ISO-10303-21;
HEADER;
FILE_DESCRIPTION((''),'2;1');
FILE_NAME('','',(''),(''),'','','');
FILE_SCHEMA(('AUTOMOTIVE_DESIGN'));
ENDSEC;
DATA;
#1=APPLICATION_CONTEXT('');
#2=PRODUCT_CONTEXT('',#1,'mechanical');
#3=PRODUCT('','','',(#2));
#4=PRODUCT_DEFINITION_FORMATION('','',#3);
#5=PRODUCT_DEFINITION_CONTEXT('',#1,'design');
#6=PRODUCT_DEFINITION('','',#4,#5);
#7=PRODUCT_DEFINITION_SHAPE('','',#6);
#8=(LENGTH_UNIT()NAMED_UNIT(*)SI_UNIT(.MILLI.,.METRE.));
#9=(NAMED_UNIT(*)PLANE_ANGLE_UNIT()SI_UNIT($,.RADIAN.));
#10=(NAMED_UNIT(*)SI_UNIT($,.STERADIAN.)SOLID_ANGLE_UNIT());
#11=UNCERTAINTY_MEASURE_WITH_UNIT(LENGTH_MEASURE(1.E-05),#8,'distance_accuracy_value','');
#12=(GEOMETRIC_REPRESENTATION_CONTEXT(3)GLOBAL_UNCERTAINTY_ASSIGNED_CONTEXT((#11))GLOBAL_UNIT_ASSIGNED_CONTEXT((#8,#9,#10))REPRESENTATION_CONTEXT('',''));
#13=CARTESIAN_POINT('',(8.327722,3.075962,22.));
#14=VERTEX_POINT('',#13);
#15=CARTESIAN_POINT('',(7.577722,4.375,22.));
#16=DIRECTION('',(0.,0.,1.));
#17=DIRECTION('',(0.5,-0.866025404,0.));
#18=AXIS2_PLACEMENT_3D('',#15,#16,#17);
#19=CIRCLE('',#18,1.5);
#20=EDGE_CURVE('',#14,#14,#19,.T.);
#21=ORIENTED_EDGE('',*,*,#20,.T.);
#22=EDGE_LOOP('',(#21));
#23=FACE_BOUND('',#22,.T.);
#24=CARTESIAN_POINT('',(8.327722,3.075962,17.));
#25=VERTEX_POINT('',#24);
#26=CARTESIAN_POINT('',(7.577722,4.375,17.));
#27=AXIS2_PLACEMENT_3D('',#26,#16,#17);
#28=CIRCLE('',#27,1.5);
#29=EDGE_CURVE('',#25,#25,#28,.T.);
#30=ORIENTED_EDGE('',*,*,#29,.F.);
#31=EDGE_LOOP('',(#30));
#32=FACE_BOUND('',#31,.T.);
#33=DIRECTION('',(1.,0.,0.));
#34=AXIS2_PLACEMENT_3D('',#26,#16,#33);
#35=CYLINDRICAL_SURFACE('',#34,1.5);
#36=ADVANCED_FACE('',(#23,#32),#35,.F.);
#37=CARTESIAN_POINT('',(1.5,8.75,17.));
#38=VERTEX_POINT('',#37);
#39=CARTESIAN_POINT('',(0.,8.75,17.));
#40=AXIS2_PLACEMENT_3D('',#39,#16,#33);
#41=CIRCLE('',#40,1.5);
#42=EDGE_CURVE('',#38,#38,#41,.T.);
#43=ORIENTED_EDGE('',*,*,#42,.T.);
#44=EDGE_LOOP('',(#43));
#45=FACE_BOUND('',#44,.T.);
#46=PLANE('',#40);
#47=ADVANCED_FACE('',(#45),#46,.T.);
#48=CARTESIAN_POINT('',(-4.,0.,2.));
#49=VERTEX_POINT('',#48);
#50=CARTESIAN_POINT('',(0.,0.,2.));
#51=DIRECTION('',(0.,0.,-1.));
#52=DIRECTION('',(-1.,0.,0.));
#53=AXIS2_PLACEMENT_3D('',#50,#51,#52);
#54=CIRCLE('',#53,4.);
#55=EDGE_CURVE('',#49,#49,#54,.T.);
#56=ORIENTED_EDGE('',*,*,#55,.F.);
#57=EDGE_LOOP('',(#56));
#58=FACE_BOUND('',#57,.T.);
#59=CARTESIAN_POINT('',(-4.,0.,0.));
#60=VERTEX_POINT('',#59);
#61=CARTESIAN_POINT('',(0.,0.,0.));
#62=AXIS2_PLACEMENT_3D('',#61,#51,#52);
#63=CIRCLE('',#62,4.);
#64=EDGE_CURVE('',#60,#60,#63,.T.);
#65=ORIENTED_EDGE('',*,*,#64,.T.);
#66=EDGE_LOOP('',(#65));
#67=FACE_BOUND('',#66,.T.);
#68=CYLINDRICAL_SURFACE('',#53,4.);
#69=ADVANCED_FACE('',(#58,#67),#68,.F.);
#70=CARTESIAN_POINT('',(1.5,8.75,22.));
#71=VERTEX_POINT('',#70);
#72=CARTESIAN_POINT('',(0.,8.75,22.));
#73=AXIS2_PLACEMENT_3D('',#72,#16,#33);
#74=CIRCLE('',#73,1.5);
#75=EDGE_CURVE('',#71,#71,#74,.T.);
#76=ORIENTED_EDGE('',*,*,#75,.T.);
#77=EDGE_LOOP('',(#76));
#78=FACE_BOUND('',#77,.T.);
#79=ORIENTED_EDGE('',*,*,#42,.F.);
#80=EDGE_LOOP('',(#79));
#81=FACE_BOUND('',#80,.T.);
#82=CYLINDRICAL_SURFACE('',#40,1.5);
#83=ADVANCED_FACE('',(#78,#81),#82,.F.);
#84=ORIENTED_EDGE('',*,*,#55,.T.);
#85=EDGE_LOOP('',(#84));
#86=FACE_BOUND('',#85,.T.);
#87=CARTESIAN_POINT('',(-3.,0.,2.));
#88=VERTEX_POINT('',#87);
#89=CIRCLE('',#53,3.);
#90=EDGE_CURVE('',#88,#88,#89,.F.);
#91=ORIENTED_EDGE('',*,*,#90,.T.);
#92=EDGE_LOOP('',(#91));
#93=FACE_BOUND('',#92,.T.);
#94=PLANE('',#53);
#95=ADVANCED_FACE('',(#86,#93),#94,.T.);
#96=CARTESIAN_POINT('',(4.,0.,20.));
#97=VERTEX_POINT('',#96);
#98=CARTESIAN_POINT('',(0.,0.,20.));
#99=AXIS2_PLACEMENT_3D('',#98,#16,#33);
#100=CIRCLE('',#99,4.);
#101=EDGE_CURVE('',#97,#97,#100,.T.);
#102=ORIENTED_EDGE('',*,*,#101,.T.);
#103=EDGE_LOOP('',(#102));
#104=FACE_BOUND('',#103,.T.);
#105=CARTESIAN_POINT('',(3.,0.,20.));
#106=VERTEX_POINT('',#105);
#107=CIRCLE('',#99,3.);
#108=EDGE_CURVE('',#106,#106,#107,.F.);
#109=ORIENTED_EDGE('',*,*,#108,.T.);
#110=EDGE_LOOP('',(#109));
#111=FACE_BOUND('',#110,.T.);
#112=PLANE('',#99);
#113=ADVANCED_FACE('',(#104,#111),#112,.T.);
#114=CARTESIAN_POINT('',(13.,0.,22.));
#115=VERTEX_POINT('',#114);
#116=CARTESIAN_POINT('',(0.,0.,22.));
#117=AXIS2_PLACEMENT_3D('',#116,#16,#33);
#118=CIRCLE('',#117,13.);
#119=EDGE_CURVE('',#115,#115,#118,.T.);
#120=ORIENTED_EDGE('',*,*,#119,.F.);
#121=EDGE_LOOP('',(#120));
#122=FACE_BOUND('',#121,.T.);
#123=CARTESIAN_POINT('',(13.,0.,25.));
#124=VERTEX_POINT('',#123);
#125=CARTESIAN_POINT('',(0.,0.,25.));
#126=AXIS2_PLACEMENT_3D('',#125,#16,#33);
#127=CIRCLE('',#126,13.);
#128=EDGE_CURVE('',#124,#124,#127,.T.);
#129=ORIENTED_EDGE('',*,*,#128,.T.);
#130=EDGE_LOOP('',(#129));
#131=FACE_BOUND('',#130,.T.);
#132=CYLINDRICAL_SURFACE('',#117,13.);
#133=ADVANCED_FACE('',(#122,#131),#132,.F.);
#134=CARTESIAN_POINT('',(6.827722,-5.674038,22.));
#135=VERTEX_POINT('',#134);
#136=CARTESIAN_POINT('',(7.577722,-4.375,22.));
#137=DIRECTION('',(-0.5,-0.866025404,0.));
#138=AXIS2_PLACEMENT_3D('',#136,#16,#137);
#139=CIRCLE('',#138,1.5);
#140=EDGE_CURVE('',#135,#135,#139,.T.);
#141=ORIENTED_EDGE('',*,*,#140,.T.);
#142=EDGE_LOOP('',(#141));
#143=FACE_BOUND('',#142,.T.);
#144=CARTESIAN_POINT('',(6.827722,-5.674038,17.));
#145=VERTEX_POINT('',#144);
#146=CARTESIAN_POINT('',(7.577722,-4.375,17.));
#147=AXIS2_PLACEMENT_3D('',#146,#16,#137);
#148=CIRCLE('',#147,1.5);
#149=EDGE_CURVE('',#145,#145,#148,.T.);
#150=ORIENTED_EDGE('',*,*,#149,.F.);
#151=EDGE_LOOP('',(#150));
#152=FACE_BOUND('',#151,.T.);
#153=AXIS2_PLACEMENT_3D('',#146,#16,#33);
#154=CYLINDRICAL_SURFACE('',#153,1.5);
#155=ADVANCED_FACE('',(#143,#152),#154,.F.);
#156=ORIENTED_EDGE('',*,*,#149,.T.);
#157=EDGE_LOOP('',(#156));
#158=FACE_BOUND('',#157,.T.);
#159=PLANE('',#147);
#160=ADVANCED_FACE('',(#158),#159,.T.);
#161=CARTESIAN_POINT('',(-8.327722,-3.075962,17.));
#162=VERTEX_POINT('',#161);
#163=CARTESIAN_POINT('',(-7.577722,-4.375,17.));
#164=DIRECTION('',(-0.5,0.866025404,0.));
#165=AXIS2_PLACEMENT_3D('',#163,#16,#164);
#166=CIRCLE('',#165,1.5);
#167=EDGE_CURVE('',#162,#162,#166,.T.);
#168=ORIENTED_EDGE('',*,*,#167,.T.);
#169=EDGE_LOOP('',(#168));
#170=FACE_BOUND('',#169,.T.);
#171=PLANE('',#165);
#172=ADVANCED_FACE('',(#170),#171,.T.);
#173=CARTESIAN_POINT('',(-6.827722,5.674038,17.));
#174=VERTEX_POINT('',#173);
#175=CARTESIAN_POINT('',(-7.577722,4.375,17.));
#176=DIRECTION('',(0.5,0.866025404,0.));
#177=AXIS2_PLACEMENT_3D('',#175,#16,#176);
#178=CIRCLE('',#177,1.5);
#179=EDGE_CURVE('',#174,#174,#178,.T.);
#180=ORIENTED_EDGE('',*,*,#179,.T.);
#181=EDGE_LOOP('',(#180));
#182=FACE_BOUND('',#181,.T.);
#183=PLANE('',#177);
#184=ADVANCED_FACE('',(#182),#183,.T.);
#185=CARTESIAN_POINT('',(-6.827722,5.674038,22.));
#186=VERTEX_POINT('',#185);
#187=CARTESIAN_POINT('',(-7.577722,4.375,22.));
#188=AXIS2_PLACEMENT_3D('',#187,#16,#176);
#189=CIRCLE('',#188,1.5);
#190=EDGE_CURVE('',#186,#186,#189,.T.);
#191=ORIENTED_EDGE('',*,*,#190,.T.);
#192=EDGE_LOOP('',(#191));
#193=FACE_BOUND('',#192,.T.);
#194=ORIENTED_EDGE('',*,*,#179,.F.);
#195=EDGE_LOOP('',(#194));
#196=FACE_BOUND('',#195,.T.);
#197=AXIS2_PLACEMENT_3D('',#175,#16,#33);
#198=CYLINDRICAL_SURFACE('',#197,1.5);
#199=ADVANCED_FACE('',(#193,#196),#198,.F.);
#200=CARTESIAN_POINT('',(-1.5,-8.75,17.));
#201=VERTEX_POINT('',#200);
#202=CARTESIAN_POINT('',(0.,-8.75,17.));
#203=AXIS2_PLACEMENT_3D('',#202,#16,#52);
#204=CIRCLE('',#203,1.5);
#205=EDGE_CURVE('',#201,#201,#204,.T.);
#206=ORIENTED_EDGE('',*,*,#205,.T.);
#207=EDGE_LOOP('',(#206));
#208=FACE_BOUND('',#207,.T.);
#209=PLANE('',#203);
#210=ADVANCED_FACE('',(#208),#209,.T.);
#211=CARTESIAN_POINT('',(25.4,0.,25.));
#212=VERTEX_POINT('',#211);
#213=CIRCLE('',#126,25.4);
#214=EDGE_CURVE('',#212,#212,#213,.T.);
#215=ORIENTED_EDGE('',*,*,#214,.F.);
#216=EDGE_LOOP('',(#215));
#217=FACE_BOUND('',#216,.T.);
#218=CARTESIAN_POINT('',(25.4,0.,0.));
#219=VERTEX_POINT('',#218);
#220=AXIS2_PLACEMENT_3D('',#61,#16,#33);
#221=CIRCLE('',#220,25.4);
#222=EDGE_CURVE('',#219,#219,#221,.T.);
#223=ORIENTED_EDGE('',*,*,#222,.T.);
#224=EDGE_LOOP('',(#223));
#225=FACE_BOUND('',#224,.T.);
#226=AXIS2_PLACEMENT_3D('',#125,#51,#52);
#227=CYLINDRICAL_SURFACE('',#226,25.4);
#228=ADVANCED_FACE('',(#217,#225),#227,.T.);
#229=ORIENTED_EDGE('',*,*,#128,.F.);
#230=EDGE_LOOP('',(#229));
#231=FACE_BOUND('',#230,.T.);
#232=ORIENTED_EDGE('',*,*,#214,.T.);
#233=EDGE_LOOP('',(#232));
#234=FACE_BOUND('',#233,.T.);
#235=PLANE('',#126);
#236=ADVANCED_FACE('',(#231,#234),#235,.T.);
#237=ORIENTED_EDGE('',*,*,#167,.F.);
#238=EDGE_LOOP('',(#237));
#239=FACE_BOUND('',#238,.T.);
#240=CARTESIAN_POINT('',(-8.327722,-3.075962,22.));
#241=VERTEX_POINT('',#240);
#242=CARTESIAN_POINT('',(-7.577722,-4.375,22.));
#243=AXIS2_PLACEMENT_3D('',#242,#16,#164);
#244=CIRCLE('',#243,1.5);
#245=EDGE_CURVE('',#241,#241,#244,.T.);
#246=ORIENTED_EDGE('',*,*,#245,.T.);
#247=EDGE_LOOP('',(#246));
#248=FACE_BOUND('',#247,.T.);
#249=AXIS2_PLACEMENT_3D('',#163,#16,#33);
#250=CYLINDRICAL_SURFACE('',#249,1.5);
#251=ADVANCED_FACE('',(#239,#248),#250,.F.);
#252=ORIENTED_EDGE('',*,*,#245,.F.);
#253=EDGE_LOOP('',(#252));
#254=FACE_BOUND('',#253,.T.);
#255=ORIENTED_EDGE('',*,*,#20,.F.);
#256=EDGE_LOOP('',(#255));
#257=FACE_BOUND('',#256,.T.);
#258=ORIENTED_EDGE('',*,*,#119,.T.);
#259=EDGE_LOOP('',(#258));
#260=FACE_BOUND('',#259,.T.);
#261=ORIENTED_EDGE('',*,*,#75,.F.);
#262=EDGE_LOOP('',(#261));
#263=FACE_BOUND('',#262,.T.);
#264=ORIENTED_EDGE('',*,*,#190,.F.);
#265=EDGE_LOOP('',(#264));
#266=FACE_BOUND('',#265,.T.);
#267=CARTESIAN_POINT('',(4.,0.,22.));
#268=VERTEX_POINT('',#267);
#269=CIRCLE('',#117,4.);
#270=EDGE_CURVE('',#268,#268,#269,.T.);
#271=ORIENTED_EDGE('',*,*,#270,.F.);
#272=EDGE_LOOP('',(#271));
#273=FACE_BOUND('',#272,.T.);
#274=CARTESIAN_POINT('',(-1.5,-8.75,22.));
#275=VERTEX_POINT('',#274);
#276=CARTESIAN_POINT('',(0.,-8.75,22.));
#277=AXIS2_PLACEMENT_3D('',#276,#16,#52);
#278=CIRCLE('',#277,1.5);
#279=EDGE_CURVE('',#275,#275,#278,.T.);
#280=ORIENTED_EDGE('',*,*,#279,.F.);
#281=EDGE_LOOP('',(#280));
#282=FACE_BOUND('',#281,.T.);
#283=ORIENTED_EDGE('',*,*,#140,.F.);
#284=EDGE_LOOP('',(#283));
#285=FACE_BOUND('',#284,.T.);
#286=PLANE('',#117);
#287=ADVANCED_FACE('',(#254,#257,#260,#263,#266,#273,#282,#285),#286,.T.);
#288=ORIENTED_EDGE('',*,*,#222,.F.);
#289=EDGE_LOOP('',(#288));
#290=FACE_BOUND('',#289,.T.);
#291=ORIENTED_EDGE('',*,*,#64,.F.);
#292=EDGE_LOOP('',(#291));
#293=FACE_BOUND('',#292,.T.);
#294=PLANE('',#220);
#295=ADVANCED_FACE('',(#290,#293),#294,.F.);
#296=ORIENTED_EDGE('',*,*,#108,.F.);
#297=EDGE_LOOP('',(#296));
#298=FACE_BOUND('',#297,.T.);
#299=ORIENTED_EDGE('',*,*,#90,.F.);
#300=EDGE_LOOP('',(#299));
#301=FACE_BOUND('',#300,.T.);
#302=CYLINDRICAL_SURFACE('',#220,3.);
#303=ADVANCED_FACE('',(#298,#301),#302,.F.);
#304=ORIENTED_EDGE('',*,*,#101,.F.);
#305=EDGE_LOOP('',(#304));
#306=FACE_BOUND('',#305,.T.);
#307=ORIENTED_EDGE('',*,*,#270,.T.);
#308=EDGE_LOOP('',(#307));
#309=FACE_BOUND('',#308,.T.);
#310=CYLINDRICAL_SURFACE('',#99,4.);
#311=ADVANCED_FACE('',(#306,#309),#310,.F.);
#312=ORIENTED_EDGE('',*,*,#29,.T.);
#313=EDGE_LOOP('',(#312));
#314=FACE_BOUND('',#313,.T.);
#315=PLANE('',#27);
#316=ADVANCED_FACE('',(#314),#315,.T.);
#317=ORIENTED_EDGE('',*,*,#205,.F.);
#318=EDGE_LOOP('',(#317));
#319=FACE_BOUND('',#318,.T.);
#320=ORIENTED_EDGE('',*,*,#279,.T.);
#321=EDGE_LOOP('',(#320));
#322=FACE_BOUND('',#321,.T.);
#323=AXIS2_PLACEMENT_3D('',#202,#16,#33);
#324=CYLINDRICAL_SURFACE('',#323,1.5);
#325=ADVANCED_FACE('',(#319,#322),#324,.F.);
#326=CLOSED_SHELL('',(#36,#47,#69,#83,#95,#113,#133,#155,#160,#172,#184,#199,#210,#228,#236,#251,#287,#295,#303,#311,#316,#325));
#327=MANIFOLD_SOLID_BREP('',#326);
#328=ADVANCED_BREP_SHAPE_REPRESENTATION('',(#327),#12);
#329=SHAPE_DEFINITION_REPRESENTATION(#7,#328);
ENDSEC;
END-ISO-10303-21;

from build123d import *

# Parameters (mm, degrees)
SKETCH1_R           = 25.4
BOSS_EXTRUDE1_DEPTH = 25
SKETCH2_R           = 3
CUT_EXTRUDE1_DEPTH  = 44.764369069
SKETCH4_R           = 4
CUT_EXTRUDE4_DEPTH  = 2
SKETCH6_R           = 13
CUT_EXTRUDE6_DEPTH  = 3
SKETCH9_R           = 1.5
CUT_EXTRUDE7_DEPTH  = 5
CUT_EXTRUDE8_START  = -5
SKETCH3_R           = 4
CUT_EXTRUDE8_DEPTH  = 5
CIRPATTERN1_COUNT   = 6


with BuildPart() as part:
    # Sketch1 → Boss-Extrude1 (new body)
    with BuildSketch(Plane.XY):
        Circle(SKETCH1_R)
    extrude(amount=BOSS_EXTRUDE1_DEPTH)

    # Sketch2 → Cut-Extrude1 (cut, through all)
    with BuildSketch(Plane.XY.offset(25)):
        Circle(SKETCH2_R)
    extrude(amount=-CUT_EXTRUDE1_DEPTH, mode=Mode.SUBTRACT)

    # Sketch4 → Cut-Extrude4 (cut)
    with BuildSketch(Plane(origin=(0, 0, 0), x_dir=(-1, 0, 0), z_dir=(0, 0, -1))):
        Circle(SKETCH4_R)
    extrude(amount=-CUT_EXTRUDE4_DEPTH, mode=Mode.SUBTRACT)

    # Sketch6 → Cut-Extrude6 (cut)
    with BuildSketch(Plane.XY.offset(25)):
        Circle(SKETCH6_R)
    extrude(amount=-CUT_EXTRUDE6_DEPTH, mode=Mode.SUBTRACT)

    # Sketch9 → Cut-Extrude7 (cut)
    with BuildSketch(Plane.XY.offset(22)):
        with Locations((0, 8.75)):
            Circle(SKETCH9_R)
    cut_extrude7 = extrude(amount=-CUT_EXTRUDE7_DEPTH, mode=Mode.SUBTRACT)

    # Sketch3 → Cut-Extrude8 (cut)
    with BuildSketch(Plane.XY.offset(25).offset(CUT_EXTRUDE8_START)):
        with Locations(Location((0, 0, 0), (0, 0, 180))):
            Circle(SKETCH3_R)
    extrude(amount=CUT_EXTRUDE8_DEPTH, mode=Mode.SUBTRACT)

    # CirPattern1: Cut-Extrude7 ×6 about axis
    cirpattern1_axis = Axis((0, 0, 0), (0, 0, 1))
    for i in range(1, CIRPATTERN1_COUNT):
        add(cut_extrude7.rotate(cirpattern1_axis, i * 360 / CIRPATTERN1_COUNT), mode=Mode.SUBTRACT)


solid = part.part
